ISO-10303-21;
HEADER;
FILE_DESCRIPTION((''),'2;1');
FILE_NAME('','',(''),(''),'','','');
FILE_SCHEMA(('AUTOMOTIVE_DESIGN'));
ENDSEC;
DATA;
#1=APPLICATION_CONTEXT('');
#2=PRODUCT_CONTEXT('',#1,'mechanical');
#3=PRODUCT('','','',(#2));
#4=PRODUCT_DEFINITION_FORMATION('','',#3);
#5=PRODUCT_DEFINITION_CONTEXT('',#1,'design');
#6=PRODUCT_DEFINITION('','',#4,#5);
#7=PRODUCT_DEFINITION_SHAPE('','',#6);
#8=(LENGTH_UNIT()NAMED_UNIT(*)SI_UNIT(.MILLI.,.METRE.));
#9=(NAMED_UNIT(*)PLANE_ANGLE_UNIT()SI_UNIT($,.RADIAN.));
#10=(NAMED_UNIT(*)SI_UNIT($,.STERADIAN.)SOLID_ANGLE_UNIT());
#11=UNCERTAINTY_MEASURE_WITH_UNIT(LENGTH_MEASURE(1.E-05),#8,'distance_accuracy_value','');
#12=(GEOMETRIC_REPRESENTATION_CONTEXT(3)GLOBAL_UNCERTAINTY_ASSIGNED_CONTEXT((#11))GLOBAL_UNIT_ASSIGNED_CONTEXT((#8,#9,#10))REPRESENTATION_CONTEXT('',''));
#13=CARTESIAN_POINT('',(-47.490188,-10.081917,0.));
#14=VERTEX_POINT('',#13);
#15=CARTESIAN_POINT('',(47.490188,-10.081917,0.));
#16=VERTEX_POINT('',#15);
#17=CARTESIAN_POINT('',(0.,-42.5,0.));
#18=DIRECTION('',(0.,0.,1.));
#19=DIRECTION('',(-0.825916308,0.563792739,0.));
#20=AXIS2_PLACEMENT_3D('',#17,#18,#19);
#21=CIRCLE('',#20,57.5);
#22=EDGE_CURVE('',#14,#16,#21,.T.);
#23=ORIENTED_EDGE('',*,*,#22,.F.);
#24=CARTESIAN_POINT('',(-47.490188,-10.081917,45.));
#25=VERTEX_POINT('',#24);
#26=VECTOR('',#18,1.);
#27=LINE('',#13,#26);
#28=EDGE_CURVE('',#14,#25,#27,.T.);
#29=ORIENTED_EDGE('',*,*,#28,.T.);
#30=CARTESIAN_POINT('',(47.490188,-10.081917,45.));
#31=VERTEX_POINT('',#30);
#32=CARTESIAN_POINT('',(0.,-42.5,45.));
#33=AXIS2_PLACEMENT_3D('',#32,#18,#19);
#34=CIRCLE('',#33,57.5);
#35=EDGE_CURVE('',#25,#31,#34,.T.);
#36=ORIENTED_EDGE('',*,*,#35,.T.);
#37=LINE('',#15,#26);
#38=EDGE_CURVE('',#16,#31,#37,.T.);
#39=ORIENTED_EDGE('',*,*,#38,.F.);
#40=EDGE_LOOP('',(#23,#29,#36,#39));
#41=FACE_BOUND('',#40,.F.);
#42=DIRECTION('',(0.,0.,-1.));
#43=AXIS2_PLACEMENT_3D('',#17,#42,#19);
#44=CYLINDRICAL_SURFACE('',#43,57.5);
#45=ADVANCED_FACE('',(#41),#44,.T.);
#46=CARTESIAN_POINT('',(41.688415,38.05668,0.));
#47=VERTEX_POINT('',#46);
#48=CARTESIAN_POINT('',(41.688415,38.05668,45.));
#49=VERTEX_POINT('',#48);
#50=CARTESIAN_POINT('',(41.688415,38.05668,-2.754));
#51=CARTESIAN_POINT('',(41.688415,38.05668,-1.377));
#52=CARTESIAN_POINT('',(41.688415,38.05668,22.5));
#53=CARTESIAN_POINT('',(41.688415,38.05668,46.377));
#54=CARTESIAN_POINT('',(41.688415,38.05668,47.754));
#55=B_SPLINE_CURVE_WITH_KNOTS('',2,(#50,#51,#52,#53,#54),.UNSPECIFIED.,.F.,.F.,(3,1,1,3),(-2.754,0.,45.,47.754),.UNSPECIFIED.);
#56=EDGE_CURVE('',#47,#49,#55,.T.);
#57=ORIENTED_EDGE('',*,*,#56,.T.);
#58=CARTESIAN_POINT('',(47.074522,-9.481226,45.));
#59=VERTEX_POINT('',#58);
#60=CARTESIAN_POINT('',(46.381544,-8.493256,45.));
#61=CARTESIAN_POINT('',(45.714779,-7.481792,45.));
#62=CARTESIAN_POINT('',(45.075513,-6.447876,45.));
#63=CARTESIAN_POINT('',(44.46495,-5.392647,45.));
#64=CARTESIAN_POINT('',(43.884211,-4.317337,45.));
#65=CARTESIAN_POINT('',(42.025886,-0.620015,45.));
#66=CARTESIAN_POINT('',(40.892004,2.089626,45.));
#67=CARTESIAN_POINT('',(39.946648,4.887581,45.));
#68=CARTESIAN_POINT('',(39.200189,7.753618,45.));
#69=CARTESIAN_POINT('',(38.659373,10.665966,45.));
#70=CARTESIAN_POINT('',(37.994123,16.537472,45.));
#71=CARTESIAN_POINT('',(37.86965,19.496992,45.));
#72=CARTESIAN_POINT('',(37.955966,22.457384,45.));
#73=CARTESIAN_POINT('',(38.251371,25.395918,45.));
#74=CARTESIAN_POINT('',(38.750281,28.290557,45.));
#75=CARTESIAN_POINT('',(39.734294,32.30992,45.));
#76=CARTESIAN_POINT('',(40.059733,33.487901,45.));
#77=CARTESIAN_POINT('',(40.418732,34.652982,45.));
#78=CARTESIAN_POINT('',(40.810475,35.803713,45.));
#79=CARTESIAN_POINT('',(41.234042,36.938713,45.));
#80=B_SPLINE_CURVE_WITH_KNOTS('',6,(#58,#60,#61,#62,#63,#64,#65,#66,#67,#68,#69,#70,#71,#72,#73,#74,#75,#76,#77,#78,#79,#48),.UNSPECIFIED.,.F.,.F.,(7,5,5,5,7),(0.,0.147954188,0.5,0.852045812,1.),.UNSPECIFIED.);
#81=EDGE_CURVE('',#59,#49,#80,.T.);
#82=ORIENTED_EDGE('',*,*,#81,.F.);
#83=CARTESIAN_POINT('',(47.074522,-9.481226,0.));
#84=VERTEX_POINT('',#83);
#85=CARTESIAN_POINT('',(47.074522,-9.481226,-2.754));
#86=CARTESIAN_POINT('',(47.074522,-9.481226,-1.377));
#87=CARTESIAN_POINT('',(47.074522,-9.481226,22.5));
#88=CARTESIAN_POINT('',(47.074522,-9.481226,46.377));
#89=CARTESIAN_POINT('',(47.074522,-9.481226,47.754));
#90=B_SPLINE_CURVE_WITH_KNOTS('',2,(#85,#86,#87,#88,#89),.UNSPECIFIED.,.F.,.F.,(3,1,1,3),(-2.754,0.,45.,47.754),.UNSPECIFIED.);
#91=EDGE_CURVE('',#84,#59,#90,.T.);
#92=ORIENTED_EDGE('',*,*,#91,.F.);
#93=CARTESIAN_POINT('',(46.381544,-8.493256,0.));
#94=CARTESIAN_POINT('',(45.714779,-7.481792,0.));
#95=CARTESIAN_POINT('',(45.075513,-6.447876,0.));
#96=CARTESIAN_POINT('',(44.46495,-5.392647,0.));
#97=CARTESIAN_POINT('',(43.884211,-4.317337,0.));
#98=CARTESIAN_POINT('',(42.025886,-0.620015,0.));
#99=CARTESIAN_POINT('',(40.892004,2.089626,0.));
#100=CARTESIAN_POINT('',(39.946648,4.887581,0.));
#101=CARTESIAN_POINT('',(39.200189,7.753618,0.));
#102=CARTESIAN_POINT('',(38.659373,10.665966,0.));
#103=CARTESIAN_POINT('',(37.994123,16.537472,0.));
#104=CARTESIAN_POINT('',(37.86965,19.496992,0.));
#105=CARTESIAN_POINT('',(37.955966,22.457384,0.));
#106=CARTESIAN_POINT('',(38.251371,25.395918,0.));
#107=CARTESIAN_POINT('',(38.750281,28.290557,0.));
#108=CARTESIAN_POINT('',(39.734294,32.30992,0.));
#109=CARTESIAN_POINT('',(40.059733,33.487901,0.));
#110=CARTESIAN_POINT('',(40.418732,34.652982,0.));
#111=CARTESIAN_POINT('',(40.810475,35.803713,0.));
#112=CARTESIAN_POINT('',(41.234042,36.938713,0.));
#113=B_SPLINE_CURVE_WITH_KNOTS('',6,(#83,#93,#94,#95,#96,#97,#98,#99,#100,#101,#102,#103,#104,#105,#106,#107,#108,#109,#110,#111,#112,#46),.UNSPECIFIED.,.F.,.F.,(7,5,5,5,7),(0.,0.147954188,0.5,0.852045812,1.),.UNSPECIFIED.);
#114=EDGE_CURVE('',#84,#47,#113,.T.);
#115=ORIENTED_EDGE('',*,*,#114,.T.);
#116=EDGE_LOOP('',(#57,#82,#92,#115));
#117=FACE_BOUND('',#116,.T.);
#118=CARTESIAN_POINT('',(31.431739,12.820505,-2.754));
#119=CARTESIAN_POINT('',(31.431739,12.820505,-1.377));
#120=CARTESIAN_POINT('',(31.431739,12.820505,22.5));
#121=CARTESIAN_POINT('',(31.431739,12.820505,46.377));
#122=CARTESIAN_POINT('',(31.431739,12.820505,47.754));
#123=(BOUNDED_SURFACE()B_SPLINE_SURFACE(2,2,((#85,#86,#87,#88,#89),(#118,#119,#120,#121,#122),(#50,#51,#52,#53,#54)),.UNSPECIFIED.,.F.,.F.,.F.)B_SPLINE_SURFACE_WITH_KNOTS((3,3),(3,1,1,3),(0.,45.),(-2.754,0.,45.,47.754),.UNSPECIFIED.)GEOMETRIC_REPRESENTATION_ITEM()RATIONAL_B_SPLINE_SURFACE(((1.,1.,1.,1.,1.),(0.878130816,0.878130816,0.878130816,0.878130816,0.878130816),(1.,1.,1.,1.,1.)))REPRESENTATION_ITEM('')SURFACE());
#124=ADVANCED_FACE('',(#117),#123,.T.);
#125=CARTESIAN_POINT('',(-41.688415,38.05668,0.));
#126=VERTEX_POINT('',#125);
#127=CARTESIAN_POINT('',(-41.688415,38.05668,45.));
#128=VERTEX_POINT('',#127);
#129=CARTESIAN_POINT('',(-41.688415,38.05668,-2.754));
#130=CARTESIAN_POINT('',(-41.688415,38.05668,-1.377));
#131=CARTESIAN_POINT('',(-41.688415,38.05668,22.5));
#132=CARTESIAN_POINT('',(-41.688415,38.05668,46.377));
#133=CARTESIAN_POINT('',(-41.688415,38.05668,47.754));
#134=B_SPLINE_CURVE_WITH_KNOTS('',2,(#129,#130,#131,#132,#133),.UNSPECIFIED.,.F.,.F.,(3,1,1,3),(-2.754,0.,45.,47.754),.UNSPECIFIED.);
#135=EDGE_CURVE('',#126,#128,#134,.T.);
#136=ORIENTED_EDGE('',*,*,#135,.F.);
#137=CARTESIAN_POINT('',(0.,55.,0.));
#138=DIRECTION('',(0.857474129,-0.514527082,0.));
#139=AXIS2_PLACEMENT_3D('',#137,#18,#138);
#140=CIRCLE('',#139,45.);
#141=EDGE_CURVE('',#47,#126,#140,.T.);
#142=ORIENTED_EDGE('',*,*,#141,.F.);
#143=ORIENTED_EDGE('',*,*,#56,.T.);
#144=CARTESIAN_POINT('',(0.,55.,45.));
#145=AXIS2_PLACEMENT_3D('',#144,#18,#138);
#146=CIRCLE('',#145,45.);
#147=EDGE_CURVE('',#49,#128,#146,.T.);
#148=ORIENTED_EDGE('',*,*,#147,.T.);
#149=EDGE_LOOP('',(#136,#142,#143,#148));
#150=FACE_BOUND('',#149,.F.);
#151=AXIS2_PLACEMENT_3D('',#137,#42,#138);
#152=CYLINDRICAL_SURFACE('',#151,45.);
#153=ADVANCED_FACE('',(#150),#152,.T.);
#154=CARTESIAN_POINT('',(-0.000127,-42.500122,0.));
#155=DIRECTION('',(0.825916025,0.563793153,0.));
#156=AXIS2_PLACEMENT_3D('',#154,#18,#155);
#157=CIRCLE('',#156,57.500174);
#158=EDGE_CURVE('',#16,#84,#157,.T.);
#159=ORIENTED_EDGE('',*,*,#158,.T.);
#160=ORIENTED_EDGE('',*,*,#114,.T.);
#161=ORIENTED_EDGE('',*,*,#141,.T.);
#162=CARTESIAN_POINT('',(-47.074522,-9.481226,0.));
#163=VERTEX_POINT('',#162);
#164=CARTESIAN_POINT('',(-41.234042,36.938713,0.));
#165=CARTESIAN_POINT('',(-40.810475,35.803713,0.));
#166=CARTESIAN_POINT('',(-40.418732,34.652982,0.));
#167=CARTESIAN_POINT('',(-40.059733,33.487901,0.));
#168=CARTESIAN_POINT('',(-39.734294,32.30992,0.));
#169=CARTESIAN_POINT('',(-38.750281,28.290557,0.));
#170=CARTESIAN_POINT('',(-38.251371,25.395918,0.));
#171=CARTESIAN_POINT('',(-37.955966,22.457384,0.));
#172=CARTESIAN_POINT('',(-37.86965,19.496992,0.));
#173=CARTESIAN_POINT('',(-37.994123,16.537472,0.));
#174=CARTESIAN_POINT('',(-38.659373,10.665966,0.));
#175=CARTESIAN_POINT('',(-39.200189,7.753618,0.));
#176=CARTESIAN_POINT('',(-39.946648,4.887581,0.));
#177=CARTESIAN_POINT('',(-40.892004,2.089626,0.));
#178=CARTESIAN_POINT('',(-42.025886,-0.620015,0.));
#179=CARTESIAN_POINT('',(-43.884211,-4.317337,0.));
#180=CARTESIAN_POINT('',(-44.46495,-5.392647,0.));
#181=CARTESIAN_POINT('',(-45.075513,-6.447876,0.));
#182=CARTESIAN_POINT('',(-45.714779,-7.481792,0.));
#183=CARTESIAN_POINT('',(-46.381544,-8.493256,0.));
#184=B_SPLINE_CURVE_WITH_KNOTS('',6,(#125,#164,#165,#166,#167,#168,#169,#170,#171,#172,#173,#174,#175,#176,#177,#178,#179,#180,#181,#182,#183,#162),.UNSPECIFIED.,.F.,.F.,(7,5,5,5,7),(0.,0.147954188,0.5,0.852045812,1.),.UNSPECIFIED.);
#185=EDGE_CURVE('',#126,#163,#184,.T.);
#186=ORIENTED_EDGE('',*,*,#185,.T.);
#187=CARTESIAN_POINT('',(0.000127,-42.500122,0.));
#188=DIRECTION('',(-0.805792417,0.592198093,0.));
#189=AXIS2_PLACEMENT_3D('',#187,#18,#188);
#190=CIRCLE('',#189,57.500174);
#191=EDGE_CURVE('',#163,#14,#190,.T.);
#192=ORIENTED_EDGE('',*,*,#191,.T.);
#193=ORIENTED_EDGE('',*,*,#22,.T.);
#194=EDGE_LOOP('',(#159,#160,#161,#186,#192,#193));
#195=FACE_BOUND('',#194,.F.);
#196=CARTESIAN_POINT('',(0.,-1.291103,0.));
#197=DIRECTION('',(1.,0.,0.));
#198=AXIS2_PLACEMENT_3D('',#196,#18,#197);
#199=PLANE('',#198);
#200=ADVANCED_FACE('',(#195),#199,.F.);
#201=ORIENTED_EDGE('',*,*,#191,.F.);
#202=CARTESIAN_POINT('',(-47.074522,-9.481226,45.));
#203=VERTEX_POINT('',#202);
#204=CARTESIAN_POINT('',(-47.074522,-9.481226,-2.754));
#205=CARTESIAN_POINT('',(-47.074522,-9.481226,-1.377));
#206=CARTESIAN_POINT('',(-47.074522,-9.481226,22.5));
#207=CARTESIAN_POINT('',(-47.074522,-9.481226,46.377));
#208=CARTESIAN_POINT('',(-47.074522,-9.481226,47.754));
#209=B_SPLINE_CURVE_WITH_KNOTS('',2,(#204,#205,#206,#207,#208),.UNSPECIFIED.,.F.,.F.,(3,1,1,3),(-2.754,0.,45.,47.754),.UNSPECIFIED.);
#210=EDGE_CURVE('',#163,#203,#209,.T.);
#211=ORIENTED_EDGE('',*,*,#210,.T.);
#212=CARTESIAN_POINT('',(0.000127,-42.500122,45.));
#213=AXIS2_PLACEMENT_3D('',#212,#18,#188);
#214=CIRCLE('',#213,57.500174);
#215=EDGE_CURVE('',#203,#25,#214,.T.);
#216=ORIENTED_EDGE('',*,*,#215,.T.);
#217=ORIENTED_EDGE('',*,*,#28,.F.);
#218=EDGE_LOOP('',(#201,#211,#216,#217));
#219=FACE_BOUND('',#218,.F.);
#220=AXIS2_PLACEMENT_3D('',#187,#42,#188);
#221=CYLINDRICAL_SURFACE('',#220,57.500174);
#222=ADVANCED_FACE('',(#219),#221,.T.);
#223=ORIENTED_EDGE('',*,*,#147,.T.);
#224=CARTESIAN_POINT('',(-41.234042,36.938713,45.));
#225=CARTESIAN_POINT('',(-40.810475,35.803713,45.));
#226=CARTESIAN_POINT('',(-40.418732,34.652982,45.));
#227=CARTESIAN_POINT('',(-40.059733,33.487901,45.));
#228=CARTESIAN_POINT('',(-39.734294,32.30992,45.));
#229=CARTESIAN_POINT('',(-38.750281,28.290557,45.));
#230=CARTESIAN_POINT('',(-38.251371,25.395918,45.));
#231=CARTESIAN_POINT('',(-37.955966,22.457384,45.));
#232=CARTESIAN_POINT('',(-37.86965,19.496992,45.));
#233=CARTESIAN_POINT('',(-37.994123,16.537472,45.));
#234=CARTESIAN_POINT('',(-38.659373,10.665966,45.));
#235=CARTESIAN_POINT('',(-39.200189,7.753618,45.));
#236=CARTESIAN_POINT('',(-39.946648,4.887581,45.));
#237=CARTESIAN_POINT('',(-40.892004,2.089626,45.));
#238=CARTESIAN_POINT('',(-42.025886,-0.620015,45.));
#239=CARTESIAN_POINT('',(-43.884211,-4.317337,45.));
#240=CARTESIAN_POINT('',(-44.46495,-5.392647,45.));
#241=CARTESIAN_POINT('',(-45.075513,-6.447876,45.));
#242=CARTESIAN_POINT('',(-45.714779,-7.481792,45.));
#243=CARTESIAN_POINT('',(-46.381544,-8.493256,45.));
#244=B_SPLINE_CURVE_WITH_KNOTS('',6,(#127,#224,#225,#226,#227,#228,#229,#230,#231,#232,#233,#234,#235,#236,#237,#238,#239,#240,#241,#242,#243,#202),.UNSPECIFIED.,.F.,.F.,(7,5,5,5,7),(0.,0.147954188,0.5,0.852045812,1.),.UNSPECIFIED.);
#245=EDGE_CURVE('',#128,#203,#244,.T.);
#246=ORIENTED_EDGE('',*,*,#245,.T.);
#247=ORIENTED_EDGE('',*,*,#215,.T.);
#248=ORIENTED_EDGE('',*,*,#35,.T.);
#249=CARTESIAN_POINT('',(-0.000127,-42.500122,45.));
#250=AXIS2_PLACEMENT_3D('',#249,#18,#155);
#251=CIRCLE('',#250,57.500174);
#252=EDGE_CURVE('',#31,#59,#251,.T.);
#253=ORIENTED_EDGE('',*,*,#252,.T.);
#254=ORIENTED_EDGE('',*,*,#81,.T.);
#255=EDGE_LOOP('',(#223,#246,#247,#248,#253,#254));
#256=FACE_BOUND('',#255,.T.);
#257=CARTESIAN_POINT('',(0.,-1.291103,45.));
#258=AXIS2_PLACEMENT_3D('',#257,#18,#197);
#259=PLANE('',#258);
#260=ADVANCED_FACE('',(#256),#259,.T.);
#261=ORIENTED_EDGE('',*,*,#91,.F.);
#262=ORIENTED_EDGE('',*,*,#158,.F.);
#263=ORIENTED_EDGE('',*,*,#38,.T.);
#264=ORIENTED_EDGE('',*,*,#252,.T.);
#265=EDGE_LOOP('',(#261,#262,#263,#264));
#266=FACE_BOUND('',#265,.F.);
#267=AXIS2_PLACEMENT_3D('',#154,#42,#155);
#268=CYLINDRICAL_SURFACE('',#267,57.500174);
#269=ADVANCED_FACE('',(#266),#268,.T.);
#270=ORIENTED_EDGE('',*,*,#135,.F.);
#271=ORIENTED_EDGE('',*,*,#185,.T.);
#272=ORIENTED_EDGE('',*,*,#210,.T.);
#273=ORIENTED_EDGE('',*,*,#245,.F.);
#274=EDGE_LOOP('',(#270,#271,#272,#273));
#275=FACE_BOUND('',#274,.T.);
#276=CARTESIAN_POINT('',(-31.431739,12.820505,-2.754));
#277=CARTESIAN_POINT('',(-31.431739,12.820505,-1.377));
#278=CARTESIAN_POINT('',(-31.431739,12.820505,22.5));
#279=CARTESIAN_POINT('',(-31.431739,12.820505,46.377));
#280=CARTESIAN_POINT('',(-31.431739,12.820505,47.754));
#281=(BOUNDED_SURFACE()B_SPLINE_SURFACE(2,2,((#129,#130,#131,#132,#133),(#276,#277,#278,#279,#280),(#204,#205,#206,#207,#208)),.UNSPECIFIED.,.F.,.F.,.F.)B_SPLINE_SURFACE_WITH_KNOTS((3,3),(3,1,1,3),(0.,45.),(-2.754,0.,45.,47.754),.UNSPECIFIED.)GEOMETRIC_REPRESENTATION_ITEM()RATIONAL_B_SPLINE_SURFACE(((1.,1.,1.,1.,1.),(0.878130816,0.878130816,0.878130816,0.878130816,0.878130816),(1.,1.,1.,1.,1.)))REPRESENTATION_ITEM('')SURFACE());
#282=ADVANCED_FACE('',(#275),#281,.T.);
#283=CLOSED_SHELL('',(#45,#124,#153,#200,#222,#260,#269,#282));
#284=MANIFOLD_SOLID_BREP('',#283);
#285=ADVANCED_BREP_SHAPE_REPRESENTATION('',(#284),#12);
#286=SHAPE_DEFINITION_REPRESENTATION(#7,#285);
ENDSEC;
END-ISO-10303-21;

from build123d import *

# Parameters (mm, degrees)
F1_DEPTH = 45
F2_R     = 50


with BuildPart() as f1:
    # F0 (on Top) → F1 (new body)
    with BuildSketch(Plane.XY):
        with BuildLine():
            ThreePointArc((46.333077, -8.448628), (38.300824, 10.899277), (38.586336, 31.846281))
            ThreePointArc((38.586336, 31.846281), (0, 100), (-38.586336, 31.846281))
            ThreePointArc((-38.586336, 31.846281), (-38.300824, 10.899277), (-46.333077, -8.448628))
            ThreePointArc((-46.333077, -8.448628), (-46.903745, -9.270861), (-47.490188, -10.081917))
            ThreePointArc((-47.490188, -10.081917), (0, -100), (47.490188, -10.081917))
            ThreePointArc((47.490188, -10.081917), (46.903745, -9.270861), (46.333077, -8.448628))
        make_face()
        with BuildLine():
            ThreePointArc((47.490188, -10.081917), (46.91874, -9.260237), (46.333077, -8.448628))
            ThreePointArc((46.333077, -8.448628), (46.903745, -9.270861), (47.490188, -10.081917))
        make_face()
        with BuildLine():
            ThreePointArc((-47.490188, -10.081917), (-46.903745, -9.270861), (-46.333077, -8.448628))
            ThreePointArc((-46.333077, -8.448628), (-46.91874, -9.260237), (-47.490188, -10.081917))
        make_face()
    extrude(amount=F1_DEPTH)

    # F2
    f2_edges = [f1.edges().sort_by_distance(p)[0] for p in [
        (-38.586336, 31.846281, 22.5),
        (38.586336, 31.846281, 22.5),
    ]]
    fillet(f2_edges, radius=F2_R)


solid = f1.part
